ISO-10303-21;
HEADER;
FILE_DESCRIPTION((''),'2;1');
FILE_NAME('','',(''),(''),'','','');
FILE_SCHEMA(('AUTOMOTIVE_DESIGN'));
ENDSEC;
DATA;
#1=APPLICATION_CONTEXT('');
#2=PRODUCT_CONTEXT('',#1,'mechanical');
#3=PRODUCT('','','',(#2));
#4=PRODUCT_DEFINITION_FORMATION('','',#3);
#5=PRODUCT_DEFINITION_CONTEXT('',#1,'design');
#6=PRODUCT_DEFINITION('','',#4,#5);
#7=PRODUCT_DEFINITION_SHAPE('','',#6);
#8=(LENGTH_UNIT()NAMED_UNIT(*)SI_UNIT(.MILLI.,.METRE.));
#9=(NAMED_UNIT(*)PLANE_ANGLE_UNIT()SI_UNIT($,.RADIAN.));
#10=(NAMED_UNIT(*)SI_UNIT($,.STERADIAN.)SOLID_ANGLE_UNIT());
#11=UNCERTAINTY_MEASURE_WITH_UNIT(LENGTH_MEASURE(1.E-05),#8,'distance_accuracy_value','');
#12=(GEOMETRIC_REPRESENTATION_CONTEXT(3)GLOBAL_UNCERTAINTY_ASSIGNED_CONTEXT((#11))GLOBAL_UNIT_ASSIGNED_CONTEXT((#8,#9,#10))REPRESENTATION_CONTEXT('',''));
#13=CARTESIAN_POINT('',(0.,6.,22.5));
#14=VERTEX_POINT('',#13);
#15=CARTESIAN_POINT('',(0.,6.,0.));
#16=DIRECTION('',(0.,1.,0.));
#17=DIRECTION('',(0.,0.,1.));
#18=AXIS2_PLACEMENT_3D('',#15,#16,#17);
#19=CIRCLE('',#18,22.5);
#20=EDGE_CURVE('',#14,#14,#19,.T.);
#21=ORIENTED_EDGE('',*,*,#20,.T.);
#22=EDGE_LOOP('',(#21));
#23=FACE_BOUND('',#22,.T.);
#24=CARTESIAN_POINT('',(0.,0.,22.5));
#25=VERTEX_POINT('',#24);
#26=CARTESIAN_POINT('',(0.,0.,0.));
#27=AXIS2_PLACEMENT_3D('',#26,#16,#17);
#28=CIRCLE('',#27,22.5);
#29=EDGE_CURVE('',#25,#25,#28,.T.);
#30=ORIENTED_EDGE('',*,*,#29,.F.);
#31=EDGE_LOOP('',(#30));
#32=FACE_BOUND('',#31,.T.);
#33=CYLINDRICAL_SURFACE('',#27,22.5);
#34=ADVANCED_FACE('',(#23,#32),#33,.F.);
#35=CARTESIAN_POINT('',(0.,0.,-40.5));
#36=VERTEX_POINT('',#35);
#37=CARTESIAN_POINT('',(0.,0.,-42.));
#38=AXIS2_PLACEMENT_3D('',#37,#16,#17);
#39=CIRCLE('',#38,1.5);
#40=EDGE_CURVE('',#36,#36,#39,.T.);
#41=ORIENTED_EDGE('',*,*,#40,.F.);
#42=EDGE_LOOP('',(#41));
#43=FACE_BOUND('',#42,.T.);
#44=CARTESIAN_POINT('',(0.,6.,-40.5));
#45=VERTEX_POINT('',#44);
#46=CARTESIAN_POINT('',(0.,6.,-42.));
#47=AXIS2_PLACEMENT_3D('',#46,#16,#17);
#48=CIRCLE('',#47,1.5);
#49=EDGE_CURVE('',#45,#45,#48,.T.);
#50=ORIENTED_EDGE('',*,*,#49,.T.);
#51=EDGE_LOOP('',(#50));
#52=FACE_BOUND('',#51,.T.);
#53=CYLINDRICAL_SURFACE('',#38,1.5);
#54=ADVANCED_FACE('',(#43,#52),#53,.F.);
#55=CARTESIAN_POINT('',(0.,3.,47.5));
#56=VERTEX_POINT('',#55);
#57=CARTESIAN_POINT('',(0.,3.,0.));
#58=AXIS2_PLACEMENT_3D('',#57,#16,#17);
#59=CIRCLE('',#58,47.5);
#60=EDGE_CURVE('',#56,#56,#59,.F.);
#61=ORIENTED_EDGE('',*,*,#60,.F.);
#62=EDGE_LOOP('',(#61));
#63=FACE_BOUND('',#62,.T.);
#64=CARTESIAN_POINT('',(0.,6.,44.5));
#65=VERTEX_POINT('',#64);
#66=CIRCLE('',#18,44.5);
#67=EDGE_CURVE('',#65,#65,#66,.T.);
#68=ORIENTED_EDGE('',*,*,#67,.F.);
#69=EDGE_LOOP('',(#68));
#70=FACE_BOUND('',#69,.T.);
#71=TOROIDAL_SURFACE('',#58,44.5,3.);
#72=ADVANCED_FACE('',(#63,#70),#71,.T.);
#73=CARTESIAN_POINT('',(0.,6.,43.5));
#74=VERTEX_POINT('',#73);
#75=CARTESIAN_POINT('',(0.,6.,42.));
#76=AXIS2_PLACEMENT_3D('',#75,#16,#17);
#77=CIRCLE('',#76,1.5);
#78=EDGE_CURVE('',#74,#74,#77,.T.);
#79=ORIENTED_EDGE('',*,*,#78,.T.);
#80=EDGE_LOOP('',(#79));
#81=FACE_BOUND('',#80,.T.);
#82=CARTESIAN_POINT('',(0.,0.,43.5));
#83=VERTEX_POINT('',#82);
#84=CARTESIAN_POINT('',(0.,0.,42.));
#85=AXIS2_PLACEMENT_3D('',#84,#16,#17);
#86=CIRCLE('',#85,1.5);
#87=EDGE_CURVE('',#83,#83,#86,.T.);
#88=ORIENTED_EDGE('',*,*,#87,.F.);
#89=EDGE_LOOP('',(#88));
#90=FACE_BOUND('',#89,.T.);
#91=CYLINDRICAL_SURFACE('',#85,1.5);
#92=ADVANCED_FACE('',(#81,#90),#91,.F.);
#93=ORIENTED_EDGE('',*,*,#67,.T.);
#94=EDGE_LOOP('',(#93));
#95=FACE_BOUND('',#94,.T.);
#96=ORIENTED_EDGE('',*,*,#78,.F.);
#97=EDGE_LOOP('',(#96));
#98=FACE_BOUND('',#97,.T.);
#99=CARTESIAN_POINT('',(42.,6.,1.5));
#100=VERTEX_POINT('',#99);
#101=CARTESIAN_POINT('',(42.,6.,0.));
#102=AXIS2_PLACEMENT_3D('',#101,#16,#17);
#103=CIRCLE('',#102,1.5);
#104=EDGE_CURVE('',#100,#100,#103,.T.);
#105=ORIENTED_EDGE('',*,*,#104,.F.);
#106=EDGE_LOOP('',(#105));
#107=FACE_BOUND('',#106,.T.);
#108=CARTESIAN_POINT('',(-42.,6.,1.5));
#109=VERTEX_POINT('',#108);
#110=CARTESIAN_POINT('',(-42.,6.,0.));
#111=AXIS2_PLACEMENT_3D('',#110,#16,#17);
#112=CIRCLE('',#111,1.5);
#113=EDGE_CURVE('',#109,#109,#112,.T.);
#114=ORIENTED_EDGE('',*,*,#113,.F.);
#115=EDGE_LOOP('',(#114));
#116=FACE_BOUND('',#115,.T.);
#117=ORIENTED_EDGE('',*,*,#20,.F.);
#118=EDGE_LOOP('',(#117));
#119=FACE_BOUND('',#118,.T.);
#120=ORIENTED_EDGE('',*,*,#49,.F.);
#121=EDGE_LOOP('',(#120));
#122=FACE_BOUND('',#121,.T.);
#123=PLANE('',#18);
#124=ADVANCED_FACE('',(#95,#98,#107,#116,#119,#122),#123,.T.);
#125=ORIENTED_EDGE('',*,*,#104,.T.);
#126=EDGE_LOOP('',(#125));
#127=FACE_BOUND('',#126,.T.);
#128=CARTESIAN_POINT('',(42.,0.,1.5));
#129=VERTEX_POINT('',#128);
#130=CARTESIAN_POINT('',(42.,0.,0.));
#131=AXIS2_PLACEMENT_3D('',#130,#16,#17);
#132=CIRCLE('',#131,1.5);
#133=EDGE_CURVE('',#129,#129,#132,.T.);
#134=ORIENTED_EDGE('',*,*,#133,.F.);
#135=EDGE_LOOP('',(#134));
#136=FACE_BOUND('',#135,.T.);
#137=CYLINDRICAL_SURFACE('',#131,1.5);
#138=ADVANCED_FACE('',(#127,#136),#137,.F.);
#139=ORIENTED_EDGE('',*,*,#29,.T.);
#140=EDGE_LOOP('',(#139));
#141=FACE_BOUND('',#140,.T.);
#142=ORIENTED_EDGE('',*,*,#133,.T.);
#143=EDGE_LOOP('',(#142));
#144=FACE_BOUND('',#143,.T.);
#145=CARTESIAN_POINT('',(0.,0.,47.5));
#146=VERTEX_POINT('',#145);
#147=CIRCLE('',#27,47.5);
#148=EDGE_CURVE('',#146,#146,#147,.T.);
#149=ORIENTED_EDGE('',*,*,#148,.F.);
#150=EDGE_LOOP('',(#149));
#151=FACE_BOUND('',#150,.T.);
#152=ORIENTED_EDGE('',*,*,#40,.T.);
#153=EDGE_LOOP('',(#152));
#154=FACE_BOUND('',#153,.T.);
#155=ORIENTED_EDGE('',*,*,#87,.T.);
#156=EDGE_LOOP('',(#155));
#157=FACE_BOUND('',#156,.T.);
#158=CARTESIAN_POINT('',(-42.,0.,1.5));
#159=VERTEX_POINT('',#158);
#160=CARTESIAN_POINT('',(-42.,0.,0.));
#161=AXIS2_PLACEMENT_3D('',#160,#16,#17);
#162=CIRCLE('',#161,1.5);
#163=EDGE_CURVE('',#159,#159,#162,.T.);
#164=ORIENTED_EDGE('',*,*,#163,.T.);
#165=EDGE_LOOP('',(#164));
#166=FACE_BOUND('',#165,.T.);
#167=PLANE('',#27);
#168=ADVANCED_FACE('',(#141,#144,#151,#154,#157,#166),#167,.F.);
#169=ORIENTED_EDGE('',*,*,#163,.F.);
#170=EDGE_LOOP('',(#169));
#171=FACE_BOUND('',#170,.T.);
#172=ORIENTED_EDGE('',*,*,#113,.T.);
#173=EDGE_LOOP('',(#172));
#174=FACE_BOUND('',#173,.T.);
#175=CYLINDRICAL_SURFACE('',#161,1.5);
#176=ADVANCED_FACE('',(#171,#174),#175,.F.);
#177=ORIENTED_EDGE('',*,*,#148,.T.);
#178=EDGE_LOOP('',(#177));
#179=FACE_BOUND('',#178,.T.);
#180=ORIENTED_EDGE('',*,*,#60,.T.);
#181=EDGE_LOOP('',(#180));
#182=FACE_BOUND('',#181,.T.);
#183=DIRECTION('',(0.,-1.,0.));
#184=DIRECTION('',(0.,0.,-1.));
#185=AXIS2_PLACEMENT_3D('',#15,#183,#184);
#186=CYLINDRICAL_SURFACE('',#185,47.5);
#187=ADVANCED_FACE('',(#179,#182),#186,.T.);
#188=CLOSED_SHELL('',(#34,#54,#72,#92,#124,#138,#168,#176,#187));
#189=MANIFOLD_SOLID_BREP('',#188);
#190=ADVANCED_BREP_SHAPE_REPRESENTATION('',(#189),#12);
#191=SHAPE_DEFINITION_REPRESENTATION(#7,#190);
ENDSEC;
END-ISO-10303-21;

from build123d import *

# Parameters (mm, degrees)
SKETCH1_R           = 47.5
BOSS_EXTRUDE1_DEPTH = 6
SKETCH2_R           = 1.5
CUT_EXTRUDE1_DEPTH  = 68.44256816
SKETCH3_R           = 22.5
CUT_EXTRUDE2_DEPTH  = 68.44256816
FILLET1_R           = 3


with BuildPart() as part:
    # Sketch1 → Boss-Extrude1 (new body)
    with BuildSketch(Plane(origin=(0, 0, 0), x_dir=(1, 0, 0), z_dir=(0, 1, 0))):
        with Locations(Location((0, 0, 0), (0, 0, 270))):
            Circle(SKETCH1_R)
    extrude(amount=BOSS_EXTRUDE1_DEPTH)

    # Sketch2 → Cut-Extrude1 (cut, through all)
    with BuildSketch(Plane(origin=(0, 6, 0), x_dir=(1, 0, 0), z_dir=(0, 1, 0))):
        with Locations(Location((0, 42, 0), (0, 0, 270))):
            Circle(SKETCH2_R)
        with Locations(Location((42, 0, 0), (0, 0, 270))):
            Circle(SKETCH2_R)
        with Locations(Location((0, -42, 0), (0, 0, 270))):
            Circle(SKETCH2_R)
        with Locations(Location((-42, 0, 0), (0, 0, 270))):
            Circle(SKETCH2_R)
    extrude(amount=-CUT_EXTRUDE1_DEPTH, mode=Mode.SUBTRACT)

    # Sketch3 → Cut-Extrude2 (cut, through all)
    with BuildSketch(Plane(origin=(0, 6, 0), x_dir=(1, 0, 0), z_dir=(0, 1, 0))):
        with Locations(Location((0, 0, 0), (0, 0, 270))):
            Circle(SKETCH3_R)
    extrude(amount=-CUT_EXTRUDE2_DEPTH, mode=Mode.SUBTRACT)

    # Fillet1
    fillet1_edges = [part.edges().sort_by_distance(p)[0] for p in [
        (0, 6, -47.5),
    ]]
    fillet(fillet1_edges, radius=FILLET1_R)


solid = part.part
